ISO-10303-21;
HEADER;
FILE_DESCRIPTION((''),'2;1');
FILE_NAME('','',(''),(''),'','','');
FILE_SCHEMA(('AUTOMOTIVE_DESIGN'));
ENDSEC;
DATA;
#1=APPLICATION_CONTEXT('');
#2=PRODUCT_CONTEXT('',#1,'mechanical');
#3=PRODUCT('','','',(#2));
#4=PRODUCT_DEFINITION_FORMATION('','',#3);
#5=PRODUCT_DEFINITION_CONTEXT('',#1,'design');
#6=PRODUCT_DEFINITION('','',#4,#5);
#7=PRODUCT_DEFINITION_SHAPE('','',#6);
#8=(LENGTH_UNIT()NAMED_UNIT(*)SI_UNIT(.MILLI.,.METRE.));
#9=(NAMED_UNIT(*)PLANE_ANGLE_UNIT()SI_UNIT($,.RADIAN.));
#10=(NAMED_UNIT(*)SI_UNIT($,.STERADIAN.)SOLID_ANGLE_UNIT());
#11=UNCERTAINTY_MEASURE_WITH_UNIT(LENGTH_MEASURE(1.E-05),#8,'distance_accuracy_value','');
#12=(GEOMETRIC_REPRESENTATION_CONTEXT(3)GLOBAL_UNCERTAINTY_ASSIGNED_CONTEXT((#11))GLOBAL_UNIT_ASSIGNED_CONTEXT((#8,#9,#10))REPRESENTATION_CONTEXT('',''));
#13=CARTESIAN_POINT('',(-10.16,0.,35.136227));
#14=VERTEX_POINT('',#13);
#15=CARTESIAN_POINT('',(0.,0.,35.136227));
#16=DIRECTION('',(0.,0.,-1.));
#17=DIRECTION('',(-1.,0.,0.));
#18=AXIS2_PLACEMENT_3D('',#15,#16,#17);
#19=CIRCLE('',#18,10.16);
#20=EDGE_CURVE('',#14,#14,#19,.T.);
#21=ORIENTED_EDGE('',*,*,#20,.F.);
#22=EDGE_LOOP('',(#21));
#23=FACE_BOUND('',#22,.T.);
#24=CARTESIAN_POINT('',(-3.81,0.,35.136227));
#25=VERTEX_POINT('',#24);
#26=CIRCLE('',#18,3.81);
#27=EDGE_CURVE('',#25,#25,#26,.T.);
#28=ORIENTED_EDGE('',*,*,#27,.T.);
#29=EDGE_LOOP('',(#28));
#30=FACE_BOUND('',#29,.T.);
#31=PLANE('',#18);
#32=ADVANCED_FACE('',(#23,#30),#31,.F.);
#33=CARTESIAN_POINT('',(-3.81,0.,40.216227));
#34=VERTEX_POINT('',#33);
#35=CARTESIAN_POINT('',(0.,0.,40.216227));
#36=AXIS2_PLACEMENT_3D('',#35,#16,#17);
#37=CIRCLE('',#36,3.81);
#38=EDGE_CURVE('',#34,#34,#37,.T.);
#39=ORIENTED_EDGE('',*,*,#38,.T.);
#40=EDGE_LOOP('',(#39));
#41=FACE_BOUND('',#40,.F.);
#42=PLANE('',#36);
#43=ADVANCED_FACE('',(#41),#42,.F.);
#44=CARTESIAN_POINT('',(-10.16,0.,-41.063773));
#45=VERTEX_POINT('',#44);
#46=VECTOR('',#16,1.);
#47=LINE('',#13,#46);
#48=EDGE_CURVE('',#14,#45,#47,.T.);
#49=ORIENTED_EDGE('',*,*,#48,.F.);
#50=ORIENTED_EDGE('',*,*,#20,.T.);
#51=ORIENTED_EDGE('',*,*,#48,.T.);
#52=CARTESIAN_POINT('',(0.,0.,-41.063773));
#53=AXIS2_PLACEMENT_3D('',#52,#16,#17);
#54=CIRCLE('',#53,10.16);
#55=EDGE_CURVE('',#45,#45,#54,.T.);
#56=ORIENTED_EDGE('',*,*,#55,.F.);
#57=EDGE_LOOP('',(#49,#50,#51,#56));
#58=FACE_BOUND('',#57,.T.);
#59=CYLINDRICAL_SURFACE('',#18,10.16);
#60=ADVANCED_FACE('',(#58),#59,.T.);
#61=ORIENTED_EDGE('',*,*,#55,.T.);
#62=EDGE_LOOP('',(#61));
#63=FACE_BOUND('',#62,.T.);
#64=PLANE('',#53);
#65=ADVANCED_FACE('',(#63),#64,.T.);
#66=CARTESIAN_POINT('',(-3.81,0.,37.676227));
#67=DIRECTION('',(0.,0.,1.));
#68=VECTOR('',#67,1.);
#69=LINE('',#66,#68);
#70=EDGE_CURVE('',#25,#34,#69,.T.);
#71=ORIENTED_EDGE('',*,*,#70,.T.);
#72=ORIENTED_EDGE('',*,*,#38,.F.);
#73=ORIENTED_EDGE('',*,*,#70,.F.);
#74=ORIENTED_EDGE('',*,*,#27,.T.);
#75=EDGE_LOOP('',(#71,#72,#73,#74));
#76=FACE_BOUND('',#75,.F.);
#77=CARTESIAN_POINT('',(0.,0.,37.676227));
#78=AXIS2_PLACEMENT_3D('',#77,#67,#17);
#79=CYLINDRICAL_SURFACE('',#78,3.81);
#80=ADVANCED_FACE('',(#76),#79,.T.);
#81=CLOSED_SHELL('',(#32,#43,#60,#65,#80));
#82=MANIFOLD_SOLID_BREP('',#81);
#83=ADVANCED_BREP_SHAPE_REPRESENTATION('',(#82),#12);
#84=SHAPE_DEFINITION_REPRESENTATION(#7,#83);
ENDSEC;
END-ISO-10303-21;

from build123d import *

# Parameters (mm, degrees)
F0_W = 3.81
F0_H = 5.08


with BuildPart() as f1:
    # F0 (on Front) → F1 (revolve)
    with BuildSketch(Plane.XZ):
        Polygon((-3.81, 35.136227), (-10.16, 35.136227), (-10.16, -41.063773), (0, -41.063773), (0, 35.136227), align=None)
        with Locations((-1.905, 37.676227)):
            Rectangle(F0_W, F0_H)
    revolve(axis=Axis((0, 0, 37.676227), (0, 0, -1)))


solid = f1.part
